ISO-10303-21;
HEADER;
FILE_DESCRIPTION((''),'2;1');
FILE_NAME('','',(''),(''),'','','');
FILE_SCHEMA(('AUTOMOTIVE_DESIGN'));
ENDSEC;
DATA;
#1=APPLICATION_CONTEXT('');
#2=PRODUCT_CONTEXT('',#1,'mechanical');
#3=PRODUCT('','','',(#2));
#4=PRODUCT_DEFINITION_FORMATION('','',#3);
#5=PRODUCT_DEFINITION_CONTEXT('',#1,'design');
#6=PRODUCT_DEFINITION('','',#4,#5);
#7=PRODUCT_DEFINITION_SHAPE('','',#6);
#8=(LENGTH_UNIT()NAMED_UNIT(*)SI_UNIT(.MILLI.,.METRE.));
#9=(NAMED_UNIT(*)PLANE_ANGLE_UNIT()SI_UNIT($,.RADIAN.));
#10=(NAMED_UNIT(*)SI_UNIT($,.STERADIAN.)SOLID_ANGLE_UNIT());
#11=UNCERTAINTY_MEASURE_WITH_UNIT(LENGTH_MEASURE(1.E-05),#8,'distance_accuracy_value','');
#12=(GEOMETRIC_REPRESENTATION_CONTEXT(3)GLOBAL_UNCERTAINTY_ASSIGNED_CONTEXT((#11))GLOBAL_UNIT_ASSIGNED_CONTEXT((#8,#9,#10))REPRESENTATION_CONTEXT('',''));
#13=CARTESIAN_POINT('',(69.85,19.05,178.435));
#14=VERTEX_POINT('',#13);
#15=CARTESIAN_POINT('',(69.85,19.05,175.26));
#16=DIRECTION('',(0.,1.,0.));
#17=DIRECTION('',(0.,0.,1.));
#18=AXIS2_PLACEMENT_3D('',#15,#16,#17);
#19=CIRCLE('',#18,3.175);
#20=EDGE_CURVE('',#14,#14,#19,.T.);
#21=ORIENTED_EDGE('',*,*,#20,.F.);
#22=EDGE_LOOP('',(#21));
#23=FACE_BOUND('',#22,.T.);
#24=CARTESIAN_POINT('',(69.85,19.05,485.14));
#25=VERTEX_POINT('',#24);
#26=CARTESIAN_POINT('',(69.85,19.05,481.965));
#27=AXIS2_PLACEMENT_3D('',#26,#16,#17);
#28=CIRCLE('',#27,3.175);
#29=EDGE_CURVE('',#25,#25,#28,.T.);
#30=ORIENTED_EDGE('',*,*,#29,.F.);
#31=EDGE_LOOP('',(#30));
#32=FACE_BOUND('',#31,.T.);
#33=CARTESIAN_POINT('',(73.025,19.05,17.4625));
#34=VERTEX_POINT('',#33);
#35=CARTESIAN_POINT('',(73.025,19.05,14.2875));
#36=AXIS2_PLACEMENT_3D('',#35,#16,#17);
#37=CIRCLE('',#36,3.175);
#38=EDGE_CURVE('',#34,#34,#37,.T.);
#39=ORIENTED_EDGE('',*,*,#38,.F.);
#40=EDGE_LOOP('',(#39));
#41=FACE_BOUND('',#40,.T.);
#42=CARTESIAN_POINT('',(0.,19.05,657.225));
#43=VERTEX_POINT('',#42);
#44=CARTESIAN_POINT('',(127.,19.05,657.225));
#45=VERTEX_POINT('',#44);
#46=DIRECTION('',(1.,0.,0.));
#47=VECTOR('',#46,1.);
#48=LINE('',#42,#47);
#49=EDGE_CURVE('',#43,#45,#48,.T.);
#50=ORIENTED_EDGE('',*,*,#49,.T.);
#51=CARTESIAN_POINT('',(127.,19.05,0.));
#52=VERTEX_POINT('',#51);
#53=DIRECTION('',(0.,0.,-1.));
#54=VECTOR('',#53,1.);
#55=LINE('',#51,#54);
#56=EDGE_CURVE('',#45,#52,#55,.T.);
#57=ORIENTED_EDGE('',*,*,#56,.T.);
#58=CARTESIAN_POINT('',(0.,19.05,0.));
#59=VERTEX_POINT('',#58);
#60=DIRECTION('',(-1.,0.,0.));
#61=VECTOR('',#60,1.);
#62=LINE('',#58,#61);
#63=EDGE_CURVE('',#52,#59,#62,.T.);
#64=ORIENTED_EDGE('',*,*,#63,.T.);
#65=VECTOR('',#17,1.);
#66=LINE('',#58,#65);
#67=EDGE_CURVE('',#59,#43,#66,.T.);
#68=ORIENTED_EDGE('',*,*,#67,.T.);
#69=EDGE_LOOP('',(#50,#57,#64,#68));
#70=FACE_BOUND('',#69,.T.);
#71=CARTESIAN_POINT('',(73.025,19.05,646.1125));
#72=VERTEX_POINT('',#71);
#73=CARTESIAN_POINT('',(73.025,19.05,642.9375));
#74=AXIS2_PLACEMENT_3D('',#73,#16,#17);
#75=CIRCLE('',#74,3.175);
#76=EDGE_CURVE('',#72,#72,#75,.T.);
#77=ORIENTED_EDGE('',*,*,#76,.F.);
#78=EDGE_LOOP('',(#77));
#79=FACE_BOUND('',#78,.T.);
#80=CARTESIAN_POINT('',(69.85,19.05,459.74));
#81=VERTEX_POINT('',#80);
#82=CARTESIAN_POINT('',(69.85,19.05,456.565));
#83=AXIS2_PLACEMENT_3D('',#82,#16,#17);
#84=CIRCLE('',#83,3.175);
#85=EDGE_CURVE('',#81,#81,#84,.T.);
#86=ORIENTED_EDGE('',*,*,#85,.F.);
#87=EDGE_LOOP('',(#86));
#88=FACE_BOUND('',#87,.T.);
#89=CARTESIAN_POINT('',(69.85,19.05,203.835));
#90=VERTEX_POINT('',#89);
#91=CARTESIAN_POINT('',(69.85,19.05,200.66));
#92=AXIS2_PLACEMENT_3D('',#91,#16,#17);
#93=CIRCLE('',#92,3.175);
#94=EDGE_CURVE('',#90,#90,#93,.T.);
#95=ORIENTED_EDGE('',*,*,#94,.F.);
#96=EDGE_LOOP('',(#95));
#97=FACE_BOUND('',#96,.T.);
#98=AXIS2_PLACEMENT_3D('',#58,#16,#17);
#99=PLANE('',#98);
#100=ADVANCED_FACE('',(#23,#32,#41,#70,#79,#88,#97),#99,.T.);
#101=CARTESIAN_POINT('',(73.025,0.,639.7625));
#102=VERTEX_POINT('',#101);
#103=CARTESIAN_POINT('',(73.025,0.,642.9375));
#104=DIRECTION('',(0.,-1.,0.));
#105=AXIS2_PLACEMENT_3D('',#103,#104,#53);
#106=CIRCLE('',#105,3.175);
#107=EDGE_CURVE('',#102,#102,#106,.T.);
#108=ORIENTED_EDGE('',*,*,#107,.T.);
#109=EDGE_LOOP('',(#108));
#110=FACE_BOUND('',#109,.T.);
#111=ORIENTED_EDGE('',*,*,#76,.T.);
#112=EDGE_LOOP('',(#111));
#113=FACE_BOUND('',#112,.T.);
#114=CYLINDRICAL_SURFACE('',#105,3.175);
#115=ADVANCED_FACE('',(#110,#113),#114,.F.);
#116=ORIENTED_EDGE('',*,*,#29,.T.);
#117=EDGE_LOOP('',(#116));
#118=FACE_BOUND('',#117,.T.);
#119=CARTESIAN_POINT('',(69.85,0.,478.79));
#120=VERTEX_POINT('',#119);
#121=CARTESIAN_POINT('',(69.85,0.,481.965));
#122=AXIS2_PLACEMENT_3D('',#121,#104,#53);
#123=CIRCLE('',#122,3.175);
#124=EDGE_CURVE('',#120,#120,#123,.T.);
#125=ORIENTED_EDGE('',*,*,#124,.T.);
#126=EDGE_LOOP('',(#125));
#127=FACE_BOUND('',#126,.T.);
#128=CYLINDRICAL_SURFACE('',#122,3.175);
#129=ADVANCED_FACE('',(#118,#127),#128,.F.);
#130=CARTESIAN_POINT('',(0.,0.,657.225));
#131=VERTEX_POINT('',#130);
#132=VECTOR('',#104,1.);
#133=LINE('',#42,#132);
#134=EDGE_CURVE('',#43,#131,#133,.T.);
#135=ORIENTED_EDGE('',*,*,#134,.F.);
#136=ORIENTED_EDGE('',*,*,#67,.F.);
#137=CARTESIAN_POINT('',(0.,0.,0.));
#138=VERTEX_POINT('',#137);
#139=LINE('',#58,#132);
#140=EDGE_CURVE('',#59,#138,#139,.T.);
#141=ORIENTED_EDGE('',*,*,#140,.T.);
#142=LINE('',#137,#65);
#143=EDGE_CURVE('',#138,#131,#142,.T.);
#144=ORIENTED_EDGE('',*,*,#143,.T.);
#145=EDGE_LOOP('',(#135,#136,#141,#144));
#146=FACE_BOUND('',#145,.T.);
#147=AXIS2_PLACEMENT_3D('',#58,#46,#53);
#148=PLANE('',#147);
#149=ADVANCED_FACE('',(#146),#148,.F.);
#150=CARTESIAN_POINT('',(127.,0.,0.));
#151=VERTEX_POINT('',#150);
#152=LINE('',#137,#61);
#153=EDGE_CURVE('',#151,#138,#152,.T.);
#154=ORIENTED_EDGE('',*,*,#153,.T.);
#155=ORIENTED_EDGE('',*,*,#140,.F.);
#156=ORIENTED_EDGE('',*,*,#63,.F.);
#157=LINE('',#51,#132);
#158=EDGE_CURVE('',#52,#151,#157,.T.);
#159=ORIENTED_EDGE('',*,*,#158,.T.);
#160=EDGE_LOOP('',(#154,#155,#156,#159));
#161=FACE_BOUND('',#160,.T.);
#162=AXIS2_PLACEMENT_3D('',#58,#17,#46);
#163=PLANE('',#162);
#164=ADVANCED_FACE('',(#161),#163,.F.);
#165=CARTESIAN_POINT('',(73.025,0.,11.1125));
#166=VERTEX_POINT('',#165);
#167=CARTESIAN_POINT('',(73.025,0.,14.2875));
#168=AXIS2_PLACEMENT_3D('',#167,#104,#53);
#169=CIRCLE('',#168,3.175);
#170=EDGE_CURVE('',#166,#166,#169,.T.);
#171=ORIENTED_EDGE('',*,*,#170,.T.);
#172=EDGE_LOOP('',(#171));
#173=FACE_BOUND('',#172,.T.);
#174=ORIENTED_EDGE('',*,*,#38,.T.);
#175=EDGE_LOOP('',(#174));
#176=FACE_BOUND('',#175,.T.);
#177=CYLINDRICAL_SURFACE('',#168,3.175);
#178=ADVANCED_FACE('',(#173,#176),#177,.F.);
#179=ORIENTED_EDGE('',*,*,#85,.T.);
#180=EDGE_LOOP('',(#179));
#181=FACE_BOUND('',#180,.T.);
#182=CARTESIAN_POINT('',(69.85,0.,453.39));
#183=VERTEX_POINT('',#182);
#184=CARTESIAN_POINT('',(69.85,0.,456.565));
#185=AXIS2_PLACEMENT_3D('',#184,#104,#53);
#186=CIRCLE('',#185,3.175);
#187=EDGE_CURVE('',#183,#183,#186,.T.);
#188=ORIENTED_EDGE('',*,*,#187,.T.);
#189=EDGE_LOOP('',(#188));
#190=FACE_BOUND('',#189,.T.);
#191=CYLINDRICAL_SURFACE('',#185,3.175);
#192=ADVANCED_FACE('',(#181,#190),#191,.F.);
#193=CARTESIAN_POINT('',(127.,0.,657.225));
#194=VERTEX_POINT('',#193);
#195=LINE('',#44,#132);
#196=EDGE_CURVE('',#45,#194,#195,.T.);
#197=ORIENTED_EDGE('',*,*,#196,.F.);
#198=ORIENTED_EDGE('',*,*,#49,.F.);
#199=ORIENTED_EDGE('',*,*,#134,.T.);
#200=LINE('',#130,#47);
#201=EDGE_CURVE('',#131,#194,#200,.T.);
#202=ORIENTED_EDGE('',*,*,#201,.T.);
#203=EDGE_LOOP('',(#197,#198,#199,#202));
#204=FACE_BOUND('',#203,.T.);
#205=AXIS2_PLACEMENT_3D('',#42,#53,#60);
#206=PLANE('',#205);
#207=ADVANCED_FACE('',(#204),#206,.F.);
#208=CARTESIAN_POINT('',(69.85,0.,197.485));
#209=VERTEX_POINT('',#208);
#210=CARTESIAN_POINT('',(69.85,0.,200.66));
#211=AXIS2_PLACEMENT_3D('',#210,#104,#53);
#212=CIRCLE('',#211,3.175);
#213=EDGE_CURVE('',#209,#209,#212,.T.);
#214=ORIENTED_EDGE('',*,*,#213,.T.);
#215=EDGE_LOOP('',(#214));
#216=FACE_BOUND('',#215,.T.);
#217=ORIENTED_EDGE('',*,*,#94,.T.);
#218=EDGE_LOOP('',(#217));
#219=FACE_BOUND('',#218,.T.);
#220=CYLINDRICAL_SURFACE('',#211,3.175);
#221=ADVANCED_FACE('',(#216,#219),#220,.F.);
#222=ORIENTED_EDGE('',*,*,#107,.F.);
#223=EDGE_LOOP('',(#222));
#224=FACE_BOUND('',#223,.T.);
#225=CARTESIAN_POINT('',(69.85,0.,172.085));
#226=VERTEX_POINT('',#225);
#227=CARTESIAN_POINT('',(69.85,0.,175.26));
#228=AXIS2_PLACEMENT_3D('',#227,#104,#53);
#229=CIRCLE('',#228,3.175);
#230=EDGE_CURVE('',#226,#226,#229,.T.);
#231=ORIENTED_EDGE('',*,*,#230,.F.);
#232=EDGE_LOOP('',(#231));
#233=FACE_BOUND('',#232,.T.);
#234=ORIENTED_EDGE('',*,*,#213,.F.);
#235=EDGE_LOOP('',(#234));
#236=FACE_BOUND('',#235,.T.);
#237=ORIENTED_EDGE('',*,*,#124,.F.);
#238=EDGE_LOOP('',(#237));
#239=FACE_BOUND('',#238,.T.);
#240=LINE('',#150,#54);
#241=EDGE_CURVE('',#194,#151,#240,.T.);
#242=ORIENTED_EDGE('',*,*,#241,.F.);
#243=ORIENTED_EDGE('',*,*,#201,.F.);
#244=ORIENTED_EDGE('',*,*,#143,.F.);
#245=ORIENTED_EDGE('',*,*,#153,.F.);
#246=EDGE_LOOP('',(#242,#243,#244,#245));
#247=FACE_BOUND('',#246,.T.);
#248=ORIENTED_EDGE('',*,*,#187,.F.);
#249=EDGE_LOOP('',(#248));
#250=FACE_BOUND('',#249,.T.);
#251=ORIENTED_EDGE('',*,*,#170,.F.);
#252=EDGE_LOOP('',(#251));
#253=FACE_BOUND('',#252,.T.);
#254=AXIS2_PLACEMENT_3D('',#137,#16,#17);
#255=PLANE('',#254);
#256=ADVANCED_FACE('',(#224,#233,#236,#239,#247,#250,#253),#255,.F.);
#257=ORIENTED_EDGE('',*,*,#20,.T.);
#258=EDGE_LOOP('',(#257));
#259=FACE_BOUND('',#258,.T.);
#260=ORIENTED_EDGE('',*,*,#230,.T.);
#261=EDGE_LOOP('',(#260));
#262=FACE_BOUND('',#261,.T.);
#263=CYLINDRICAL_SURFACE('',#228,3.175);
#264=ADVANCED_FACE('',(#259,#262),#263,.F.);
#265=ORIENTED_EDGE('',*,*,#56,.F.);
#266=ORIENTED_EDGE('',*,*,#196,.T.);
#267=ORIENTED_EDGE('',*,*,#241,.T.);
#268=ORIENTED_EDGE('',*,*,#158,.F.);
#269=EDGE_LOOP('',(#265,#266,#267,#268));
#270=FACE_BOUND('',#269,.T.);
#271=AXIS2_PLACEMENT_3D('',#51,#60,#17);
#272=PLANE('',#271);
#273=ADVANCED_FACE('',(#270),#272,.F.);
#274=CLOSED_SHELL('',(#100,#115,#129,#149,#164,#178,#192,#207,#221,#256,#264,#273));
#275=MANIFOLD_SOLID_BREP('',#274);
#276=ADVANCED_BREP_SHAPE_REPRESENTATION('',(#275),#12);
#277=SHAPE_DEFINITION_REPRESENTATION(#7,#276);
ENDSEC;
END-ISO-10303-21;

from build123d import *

# Parameters (mm, degrees)
SKETCH1_W                   = 127
SKETCH1_H                   = 657.225
BOSS_EXTRUDE1_DEPTH         = 19.05
F_1_4_0_25_DIAMETER_HOLE1_D = 6.35


with BuildPart() as part:
    # Sketch1 → Boss-Extrude1 (new body)
    with BuildSketch(Plane(origin=(0, 0, 0), x_dir=(1, 0, 0), z_dir=(0, 1, 0))):
        with Locations((63.5, -328.6125)):
            Rectangle(SKETCH1_W, SKETCH1_H)
    extrude(amount=BOSS_EXTRUDE1_DEPTH)

    # 1/4 (0.25) Diameter Hole1 (through all)
    with Locations(Plane(origin=(0, 0, 0), x_dir=(-1, 0, 0), z_dir=(0, -1, 0))):
        with Locations((-73.025, -14.2875), (-69.85, -175.26), (-69.85, -200.66), (-69.85, -456.565), (-69.85, -481.965), (-73.025, -642.9375)):
            Hole(F_1_4_0_25_DIAMETER_HOLE1_D / 2)


solid = part.part
